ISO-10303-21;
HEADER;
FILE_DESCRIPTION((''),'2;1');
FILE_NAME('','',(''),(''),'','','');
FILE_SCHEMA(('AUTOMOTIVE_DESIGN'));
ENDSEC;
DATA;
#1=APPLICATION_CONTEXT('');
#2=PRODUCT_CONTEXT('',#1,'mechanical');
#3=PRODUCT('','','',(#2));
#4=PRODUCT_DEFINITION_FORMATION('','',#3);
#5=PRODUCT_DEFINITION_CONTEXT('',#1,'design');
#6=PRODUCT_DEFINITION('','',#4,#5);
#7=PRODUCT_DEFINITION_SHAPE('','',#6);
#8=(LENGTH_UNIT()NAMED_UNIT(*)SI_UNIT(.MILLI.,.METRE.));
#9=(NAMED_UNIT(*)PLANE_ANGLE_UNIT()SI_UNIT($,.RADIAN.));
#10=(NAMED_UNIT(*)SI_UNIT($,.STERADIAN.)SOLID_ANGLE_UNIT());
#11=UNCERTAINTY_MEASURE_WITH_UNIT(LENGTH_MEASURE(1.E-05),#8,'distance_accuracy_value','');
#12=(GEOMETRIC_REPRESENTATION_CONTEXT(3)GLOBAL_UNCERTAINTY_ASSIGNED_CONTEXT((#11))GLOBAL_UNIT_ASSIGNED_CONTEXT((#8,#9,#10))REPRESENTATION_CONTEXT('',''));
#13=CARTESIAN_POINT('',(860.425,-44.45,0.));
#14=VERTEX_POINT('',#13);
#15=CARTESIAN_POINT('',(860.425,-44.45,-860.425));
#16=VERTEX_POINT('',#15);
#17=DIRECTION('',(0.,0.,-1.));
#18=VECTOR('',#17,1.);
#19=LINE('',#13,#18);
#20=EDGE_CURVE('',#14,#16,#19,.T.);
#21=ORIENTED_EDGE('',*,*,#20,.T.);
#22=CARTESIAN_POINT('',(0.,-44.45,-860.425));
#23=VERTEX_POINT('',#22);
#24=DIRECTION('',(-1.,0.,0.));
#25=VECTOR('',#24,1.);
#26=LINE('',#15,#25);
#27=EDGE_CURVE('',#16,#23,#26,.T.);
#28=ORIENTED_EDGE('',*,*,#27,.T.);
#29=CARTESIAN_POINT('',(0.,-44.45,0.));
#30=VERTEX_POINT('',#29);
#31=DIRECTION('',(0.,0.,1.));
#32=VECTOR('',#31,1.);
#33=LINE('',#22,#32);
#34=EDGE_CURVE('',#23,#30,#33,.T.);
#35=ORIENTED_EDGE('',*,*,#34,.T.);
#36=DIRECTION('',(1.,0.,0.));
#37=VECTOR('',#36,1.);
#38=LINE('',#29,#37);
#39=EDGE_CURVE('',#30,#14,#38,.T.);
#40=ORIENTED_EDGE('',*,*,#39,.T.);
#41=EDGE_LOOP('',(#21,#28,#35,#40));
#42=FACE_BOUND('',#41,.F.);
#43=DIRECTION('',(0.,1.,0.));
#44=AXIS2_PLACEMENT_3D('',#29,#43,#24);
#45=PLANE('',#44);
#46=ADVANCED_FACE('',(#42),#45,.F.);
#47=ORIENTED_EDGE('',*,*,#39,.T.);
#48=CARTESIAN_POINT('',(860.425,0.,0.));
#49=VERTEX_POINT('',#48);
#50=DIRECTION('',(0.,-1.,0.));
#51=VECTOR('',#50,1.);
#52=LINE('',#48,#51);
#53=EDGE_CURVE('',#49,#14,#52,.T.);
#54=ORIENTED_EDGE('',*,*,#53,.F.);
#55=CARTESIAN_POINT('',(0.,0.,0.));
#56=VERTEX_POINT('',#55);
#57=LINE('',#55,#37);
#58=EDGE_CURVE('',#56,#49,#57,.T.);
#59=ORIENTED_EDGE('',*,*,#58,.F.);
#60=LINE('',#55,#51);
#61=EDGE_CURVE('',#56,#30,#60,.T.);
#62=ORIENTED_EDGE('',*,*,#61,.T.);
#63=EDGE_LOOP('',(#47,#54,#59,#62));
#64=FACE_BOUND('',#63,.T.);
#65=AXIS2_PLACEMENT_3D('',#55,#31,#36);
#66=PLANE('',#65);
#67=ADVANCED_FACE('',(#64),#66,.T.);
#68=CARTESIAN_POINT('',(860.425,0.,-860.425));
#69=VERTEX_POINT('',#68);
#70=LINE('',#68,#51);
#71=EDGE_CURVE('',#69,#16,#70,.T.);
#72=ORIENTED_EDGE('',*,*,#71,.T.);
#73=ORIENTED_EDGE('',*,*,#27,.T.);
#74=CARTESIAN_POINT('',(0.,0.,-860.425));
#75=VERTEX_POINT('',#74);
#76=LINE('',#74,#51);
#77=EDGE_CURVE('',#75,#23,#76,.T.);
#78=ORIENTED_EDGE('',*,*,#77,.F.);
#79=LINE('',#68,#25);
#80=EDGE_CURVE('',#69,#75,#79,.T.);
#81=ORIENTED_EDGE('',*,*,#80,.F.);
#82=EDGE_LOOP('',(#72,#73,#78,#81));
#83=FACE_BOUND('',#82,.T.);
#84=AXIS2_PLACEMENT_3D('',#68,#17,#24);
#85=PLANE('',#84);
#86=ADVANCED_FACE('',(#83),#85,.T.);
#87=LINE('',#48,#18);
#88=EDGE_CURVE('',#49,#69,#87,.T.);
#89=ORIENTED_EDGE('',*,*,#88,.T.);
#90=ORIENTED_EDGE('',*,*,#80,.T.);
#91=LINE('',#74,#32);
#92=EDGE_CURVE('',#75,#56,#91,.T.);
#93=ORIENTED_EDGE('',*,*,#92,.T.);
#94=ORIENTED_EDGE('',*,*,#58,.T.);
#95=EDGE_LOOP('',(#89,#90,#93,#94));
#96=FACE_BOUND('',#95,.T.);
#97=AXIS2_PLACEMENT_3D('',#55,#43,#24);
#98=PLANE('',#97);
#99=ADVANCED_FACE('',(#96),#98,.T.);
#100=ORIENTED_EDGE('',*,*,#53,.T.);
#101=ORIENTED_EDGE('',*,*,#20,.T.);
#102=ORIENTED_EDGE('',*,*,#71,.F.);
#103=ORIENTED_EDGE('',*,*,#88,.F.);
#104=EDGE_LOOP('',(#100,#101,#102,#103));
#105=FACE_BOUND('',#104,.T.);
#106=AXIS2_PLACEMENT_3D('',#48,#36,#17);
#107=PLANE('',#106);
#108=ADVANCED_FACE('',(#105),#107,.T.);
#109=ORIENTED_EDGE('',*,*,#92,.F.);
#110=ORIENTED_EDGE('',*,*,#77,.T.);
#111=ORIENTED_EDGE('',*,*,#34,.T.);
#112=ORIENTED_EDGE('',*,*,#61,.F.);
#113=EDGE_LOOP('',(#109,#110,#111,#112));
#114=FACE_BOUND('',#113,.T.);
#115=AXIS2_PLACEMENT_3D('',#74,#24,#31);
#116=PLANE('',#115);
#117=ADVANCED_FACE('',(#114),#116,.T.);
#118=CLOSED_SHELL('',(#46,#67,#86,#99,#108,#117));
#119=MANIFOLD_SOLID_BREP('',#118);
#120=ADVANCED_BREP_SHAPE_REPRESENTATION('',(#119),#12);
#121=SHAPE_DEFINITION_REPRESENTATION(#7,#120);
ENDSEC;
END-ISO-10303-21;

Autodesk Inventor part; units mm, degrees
ref_plane "YZ Plane" through (0, 0, 0) normal (1, 0, 0) x (0, 1, 0)
ref_plane "XZ Plane" through (0, 0, 0) normal (0, 1, 0) x (-1, 0, 0)
ref_plane "XY Plane" through (0, 0, 0) normal (0, 0, 1) x (1, 0, 0)
sketch "Sketch1" plane through (0, 0, 0) normal (0, 1, 0) x (-1, 0, 0)
  line L0 (0, 0) -> (-860.425, 0)
  line L1 (-860.425, 0) -> (-860.425, -860.425)
  line L2 (-860.425, -860.425) -> (0, -860.425)
  line L3 (0, -860.425) -> (0, 0)
  dimension "d0" = 860.425
  dimension "d1" = 860.425
extrude "Extrusion1" add sketch "Sketch1" against normal blind 44.45
sketch "Sketch2" plane through (0, 0, 0) normal (0, 1, 0) x (1, 0, 0)
  line L0 (0, 860.425) -> (860.425, 860.425) construction
  circle A0 centre (430.2125, 860.425) radius 558.8 construction
  point P0 (0, 0)
  dimension "d4" = 1117.6
properties part number "TableTop"
